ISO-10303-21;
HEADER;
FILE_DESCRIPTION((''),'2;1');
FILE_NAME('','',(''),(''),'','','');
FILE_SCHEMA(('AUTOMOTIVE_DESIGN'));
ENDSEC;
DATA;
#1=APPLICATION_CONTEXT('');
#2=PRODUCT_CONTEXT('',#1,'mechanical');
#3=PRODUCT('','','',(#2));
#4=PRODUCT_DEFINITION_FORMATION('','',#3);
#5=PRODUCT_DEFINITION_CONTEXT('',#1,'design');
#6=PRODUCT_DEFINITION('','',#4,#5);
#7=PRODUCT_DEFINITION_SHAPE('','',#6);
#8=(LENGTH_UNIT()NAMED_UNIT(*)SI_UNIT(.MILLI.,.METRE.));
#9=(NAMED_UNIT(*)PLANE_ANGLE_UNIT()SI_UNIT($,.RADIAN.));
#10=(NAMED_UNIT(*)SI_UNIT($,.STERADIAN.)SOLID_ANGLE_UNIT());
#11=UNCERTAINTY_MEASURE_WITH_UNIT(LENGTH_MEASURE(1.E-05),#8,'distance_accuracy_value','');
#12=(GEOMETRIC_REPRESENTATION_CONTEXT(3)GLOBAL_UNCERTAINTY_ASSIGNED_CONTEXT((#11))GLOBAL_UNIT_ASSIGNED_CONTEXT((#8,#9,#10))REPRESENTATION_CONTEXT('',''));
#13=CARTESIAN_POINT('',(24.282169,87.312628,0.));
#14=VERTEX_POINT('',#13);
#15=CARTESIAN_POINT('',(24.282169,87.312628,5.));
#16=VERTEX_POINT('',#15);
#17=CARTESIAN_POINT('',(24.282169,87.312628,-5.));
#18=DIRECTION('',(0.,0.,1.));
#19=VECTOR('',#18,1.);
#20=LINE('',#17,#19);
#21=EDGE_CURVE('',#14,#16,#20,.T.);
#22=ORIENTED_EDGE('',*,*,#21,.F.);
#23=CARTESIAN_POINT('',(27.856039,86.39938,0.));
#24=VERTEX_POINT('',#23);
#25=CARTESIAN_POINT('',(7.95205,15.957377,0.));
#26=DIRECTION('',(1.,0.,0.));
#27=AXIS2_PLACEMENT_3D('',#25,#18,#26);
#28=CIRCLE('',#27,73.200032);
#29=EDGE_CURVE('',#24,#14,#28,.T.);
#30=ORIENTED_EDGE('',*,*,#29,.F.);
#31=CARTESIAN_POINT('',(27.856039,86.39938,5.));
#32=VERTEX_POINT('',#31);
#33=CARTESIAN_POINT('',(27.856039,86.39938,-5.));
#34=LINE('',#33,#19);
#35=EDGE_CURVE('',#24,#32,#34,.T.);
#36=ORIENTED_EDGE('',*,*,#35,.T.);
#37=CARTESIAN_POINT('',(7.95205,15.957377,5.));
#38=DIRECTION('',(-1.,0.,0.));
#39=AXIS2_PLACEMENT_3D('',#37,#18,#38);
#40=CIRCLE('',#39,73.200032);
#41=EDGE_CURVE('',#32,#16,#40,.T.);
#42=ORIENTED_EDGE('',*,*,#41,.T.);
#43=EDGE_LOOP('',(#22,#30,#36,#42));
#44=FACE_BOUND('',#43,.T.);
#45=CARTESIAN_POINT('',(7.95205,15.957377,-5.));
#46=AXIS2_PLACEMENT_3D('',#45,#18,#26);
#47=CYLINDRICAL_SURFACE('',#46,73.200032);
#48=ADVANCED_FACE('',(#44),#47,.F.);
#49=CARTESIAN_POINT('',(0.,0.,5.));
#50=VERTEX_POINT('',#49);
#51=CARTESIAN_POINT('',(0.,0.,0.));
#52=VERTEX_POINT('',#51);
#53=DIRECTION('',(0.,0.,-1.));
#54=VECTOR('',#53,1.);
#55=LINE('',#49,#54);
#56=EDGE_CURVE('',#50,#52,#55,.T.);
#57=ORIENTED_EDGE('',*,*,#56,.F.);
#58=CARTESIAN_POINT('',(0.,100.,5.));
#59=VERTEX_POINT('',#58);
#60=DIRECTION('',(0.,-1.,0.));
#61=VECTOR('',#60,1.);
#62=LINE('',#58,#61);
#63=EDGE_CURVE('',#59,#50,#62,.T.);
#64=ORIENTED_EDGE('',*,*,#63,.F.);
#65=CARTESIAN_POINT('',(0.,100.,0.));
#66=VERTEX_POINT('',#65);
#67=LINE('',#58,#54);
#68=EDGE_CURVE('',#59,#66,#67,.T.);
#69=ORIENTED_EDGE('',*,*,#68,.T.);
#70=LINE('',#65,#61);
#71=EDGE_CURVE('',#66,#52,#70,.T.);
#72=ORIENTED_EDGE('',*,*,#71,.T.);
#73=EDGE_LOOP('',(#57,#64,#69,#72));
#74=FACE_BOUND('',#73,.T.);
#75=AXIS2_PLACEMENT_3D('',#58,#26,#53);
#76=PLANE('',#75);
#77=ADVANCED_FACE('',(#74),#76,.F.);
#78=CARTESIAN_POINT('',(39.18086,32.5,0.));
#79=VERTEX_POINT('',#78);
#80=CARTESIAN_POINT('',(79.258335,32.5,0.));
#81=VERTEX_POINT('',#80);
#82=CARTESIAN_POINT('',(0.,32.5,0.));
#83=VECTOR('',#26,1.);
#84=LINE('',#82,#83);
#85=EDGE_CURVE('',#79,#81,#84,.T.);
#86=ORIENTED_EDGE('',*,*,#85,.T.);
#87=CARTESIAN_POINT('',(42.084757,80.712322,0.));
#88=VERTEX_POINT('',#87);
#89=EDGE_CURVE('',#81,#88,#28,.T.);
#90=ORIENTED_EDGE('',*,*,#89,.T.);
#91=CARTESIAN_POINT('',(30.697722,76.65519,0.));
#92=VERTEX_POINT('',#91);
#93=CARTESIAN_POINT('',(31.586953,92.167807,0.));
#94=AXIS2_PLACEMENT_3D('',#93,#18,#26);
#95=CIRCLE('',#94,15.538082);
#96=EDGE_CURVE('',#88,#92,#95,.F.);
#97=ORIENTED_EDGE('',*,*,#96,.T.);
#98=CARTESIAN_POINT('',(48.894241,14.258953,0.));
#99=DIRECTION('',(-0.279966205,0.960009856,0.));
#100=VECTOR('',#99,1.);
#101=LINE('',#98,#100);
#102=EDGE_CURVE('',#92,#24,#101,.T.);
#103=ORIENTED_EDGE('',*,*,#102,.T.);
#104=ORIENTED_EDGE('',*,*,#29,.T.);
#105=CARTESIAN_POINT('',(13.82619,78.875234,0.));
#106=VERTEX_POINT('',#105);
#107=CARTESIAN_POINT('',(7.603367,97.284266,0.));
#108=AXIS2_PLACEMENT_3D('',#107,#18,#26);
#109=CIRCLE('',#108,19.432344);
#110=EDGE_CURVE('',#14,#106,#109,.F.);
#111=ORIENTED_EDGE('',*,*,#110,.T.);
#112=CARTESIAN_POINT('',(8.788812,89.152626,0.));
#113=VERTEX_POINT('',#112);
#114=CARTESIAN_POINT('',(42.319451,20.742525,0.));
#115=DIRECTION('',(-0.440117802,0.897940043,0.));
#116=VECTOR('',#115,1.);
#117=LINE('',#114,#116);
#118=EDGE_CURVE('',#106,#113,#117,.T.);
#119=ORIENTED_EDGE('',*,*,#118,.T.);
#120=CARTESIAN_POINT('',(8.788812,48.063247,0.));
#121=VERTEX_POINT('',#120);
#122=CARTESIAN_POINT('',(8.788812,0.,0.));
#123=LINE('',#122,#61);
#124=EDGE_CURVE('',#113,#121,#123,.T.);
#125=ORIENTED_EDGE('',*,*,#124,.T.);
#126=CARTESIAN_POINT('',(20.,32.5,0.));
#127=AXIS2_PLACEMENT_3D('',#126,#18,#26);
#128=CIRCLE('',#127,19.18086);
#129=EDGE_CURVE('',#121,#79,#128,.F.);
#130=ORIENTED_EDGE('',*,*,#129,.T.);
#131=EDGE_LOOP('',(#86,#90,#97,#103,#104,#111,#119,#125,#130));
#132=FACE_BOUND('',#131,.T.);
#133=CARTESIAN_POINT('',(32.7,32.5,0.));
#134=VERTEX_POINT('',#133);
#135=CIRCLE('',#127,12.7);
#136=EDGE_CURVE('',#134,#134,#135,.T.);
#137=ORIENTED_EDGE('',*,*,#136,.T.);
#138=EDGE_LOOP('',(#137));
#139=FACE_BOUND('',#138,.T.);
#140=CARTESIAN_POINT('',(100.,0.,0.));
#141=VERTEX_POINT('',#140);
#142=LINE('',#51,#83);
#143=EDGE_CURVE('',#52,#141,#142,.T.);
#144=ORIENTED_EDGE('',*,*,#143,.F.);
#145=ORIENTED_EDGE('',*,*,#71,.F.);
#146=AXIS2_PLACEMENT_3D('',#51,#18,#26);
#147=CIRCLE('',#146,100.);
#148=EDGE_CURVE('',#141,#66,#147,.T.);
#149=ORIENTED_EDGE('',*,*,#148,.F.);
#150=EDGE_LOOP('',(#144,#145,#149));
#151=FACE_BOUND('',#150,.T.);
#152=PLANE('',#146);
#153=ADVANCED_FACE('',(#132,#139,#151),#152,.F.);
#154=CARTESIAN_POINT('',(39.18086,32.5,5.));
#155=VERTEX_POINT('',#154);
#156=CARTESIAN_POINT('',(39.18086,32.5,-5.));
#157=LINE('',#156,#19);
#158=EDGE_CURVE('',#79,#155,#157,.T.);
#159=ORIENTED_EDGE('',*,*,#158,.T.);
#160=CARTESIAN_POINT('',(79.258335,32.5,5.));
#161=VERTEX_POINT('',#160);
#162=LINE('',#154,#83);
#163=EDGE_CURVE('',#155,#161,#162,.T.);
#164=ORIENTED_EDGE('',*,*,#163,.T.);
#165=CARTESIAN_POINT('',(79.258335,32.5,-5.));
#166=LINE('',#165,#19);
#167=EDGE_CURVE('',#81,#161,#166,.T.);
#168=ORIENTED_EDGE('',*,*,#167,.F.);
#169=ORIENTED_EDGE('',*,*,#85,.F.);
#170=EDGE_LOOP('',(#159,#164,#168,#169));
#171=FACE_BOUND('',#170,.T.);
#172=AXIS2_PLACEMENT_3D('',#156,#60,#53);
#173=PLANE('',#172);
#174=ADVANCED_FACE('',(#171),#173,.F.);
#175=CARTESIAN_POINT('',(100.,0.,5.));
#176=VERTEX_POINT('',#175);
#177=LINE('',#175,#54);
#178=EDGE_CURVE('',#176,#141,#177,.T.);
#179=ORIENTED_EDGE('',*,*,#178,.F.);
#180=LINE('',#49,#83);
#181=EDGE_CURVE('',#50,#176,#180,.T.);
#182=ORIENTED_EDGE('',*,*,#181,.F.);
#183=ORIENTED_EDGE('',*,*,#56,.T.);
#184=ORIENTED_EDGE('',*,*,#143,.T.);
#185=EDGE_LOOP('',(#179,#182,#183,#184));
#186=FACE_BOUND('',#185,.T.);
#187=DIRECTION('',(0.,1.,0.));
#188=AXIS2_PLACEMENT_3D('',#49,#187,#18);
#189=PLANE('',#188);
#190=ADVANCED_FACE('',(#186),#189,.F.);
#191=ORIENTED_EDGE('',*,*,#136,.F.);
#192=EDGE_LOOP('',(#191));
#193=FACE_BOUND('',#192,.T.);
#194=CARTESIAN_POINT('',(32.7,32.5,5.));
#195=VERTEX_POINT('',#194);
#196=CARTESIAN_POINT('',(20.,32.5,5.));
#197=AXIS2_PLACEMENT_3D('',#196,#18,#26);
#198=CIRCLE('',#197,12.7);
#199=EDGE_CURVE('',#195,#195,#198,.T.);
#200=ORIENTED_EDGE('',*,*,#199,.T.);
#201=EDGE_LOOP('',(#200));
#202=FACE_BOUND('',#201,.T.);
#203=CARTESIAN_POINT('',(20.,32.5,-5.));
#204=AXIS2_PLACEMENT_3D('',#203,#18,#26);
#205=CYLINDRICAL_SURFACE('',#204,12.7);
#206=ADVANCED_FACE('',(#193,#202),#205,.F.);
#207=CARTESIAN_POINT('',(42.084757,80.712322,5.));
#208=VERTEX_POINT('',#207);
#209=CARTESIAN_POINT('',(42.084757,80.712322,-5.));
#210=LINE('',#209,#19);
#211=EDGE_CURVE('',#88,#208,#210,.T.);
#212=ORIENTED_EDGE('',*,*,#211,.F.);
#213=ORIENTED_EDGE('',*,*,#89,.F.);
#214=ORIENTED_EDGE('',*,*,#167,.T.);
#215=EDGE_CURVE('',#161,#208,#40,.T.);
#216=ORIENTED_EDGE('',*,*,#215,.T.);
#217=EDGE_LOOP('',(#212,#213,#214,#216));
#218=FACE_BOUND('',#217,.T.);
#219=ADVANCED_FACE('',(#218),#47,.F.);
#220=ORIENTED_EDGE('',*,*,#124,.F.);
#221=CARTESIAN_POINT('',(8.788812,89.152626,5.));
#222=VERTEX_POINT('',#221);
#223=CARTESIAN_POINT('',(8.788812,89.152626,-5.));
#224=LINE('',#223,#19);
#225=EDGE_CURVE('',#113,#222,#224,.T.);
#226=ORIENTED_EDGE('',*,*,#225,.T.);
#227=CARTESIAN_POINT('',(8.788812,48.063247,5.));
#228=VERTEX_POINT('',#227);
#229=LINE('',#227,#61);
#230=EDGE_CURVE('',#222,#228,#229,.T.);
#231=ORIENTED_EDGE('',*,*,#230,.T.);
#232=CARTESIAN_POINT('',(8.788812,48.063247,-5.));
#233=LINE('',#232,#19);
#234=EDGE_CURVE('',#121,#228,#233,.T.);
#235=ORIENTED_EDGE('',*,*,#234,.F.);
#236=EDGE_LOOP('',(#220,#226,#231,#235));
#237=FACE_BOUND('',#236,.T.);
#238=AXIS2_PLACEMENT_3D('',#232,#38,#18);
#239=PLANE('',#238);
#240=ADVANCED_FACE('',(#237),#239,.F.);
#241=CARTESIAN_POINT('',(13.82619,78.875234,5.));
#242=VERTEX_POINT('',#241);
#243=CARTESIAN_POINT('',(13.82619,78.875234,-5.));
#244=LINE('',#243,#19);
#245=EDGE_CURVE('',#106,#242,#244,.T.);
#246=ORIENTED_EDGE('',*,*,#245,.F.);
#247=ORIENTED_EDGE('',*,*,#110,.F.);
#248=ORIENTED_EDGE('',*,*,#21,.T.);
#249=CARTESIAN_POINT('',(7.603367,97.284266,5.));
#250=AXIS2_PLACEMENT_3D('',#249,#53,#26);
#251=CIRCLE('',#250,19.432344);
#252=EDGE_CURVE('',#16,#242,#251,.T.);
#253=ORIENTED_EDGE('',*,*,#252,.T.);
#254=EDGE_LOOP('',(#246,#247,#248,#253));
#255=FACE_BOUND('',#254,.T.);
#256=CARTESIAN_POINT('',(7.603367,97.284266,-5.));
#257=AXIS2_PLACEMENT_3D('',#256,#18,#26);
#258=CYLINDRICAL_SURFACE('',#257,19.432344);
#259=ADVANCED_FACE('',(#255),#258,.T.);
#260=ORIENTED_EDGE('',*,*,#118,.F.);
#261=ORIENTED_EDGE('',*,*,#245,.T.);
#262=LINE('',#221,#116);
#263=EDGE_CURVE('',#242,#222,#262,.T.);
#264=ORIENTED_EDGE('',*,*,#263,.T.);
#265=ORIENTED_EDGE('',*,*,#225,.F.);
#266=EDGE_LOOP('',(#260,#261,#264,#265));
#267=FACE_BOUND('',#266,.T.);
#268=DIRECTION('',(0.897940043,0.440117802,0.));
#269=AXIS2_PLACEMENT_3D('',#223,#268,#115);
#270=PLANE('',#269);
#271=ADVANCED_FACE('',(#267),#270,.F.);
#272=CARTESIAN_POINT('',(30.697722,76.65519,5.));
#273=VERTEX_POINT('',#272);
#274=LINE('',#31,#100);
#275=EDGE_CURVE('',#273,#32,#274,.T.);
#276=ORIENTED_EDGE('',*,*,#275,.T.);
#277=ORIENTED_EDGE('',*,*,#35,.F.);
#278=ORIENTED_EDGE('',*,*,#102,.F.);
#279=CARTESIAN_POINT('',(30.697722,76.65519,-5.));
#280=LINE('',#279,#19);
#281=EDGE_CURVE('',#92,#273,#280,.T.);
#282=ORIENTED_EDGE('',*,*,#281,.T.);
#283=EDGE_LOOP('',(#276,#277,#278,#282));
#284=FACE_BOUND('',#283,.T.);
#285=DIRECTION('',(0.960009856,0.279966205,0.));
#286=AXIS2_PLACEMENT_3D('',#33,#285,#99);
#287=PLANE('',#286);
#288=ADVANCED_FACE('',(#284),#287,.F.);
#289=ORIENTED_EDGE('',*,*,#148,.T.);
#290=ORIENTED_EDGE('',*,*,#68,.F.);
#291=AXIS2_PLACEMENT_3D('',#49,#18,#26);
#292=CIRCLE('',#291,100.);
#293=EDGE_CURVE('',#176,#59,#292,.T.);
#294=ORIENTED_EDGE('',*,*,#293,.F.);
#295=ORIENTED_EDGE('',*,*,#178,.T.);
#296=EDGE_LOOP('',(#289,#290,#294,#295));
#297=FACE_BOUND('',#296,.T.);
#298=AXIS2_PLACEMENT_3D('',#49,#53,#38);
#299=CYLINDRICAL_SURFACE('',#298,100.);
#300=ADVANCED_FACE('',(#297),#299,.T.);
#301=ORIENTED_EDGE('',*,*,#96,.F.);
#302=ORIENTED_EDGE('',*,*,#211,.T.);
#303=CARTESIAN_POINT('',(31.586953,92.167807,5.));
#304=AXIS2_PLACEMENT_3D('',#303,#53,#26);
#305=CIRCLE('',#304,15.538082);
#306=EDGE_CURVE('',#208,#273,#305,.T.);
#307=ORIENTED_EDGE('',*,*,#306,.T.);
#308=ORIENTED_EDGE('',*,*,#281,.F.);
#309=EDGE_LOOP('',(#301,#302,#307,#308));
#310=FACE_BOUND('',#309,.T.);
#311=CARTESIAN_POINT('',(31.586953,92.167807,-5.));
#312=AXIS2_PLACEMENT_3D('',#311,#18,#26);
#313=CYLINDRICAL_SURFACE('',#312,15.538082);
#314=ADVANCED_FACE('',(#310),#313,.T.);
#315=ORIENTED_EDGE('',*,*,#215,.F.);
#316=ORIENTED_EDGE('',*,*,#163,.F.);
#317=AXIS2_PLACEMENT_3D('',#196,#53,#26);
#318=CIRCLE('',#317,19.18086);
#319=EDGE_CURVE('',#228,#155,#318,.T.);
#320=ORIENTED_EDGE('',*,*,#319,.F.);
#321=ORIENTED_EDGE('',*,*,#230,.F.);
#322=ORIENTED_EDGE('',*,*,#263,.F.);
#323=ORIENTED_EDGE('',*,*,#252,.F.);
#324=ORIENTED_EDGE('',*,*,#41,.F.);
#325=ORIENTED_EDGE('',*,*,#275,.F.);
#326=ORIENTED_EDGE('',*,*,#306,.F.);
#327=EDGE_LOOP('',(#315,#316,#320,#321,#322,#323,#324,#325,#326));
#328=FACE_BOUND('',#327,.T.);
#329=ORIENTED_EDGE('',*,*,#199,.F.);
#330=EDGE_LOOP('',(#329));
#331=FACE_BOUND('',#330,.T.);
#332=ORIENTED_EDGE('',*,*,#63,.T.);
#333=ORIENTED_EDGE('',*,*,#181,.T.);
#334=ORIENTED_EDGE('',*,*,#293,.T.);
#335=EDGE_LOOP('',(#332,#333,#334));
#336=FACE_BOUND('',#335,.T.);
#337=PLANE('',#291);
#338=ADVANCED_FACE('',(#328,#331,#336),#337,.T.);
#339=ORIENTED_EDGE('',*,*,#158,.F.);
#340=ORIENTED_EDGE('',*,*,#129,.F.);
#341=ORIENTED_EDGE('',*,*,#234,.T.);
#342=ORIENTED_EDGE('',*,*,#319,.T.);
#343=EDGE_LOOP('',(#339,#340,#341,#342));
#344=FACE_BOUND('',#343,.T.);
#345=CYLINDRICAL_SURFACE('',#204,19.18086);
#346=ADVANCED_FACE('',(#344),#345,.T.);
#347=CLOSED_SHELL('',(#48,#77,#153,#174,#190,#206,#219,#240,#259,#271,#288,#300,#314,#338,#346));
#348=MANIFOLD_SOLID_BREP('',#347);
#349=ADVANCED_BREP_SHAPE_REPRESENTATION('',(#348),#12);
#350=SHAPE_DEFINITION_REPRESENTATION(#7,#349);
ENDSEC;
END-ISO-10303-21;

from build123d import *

# Parameters (mm, degrees)
SALIENTE_EXTRUIR1_DEPTH = 5
CROQUIS2_R              = 12.7
CORTAR_EXTRUIR1_DEPTH   = 10
CORTAR_EXTRUIR2_DEPTH   = 10


with BuildPart() as part:
    # Croquis1 → Saliente-Extruir1 (new body)
    with BuildSketch(Plane.XY):
        with BuildLine():
            Line((0, 100), (0, 0))
            Line((0, 0), (100, 0))
            ThreePointArc((100, 0), (70.710678119, 70.710678119), (0, 100))
        make_face()
    extrude(amount=SALIENTE_EXTRUIR1_DEPTH)

    # Croquis2 → Cortar-Extruir1 (cut)
    with BuildSketch(Plane.XY.offset(5)):
        with Locations((20, 32.5)):
            Circle(CROQUIS2_R)
    extrude(amount=-CORTAR_EXTRUIR1_DEPTH, mode=Mode.SUBTRACT)

    # Croquis3 → Cortar-Extruir2 (cut)
    with BuildSketch(Plane.XY.offset(5)):
        with BuildLine():
            Line((8.78881249, 48.063247001), (8.78881249, 89.15262579))
            Line((8.78881249, 89.15262579), (13.826190337, 78.875233565))
            ThreePointArc((13.826190337, 78.875233565), (19.806584532, 82.16151857), (24.282169152, 87.312627788))
            ThreePointArc((24.282169152, 87.312627788), (26.07485748, 86.878519508), (27.856038853, 86.399380324))
            Line((27.856038853, 86.399380324), (30.697722068, 76.655190323))
            ThreePointArc((30.697722068, 76.655190323), (36.801955218, 77.531012101), (42.084756772, 80.712322191))
            ThreePointArc((42.084756772, 80.712322191), (65.921457687, 60.654047665), (79.258334665, 32.5))
            Line((79.258334665, 32.5), (39.180859798, 32.5))
            ThreePointArc((39.180859798, 32.5), (28.742573042, 49.572574475), (8.78881249, 48.063247001))
        make_face()
    extrude(amount=-CORTAR_EXTRUIR2_DEPTH, mode=Mode.SUBTRACT)


solid = part.part
